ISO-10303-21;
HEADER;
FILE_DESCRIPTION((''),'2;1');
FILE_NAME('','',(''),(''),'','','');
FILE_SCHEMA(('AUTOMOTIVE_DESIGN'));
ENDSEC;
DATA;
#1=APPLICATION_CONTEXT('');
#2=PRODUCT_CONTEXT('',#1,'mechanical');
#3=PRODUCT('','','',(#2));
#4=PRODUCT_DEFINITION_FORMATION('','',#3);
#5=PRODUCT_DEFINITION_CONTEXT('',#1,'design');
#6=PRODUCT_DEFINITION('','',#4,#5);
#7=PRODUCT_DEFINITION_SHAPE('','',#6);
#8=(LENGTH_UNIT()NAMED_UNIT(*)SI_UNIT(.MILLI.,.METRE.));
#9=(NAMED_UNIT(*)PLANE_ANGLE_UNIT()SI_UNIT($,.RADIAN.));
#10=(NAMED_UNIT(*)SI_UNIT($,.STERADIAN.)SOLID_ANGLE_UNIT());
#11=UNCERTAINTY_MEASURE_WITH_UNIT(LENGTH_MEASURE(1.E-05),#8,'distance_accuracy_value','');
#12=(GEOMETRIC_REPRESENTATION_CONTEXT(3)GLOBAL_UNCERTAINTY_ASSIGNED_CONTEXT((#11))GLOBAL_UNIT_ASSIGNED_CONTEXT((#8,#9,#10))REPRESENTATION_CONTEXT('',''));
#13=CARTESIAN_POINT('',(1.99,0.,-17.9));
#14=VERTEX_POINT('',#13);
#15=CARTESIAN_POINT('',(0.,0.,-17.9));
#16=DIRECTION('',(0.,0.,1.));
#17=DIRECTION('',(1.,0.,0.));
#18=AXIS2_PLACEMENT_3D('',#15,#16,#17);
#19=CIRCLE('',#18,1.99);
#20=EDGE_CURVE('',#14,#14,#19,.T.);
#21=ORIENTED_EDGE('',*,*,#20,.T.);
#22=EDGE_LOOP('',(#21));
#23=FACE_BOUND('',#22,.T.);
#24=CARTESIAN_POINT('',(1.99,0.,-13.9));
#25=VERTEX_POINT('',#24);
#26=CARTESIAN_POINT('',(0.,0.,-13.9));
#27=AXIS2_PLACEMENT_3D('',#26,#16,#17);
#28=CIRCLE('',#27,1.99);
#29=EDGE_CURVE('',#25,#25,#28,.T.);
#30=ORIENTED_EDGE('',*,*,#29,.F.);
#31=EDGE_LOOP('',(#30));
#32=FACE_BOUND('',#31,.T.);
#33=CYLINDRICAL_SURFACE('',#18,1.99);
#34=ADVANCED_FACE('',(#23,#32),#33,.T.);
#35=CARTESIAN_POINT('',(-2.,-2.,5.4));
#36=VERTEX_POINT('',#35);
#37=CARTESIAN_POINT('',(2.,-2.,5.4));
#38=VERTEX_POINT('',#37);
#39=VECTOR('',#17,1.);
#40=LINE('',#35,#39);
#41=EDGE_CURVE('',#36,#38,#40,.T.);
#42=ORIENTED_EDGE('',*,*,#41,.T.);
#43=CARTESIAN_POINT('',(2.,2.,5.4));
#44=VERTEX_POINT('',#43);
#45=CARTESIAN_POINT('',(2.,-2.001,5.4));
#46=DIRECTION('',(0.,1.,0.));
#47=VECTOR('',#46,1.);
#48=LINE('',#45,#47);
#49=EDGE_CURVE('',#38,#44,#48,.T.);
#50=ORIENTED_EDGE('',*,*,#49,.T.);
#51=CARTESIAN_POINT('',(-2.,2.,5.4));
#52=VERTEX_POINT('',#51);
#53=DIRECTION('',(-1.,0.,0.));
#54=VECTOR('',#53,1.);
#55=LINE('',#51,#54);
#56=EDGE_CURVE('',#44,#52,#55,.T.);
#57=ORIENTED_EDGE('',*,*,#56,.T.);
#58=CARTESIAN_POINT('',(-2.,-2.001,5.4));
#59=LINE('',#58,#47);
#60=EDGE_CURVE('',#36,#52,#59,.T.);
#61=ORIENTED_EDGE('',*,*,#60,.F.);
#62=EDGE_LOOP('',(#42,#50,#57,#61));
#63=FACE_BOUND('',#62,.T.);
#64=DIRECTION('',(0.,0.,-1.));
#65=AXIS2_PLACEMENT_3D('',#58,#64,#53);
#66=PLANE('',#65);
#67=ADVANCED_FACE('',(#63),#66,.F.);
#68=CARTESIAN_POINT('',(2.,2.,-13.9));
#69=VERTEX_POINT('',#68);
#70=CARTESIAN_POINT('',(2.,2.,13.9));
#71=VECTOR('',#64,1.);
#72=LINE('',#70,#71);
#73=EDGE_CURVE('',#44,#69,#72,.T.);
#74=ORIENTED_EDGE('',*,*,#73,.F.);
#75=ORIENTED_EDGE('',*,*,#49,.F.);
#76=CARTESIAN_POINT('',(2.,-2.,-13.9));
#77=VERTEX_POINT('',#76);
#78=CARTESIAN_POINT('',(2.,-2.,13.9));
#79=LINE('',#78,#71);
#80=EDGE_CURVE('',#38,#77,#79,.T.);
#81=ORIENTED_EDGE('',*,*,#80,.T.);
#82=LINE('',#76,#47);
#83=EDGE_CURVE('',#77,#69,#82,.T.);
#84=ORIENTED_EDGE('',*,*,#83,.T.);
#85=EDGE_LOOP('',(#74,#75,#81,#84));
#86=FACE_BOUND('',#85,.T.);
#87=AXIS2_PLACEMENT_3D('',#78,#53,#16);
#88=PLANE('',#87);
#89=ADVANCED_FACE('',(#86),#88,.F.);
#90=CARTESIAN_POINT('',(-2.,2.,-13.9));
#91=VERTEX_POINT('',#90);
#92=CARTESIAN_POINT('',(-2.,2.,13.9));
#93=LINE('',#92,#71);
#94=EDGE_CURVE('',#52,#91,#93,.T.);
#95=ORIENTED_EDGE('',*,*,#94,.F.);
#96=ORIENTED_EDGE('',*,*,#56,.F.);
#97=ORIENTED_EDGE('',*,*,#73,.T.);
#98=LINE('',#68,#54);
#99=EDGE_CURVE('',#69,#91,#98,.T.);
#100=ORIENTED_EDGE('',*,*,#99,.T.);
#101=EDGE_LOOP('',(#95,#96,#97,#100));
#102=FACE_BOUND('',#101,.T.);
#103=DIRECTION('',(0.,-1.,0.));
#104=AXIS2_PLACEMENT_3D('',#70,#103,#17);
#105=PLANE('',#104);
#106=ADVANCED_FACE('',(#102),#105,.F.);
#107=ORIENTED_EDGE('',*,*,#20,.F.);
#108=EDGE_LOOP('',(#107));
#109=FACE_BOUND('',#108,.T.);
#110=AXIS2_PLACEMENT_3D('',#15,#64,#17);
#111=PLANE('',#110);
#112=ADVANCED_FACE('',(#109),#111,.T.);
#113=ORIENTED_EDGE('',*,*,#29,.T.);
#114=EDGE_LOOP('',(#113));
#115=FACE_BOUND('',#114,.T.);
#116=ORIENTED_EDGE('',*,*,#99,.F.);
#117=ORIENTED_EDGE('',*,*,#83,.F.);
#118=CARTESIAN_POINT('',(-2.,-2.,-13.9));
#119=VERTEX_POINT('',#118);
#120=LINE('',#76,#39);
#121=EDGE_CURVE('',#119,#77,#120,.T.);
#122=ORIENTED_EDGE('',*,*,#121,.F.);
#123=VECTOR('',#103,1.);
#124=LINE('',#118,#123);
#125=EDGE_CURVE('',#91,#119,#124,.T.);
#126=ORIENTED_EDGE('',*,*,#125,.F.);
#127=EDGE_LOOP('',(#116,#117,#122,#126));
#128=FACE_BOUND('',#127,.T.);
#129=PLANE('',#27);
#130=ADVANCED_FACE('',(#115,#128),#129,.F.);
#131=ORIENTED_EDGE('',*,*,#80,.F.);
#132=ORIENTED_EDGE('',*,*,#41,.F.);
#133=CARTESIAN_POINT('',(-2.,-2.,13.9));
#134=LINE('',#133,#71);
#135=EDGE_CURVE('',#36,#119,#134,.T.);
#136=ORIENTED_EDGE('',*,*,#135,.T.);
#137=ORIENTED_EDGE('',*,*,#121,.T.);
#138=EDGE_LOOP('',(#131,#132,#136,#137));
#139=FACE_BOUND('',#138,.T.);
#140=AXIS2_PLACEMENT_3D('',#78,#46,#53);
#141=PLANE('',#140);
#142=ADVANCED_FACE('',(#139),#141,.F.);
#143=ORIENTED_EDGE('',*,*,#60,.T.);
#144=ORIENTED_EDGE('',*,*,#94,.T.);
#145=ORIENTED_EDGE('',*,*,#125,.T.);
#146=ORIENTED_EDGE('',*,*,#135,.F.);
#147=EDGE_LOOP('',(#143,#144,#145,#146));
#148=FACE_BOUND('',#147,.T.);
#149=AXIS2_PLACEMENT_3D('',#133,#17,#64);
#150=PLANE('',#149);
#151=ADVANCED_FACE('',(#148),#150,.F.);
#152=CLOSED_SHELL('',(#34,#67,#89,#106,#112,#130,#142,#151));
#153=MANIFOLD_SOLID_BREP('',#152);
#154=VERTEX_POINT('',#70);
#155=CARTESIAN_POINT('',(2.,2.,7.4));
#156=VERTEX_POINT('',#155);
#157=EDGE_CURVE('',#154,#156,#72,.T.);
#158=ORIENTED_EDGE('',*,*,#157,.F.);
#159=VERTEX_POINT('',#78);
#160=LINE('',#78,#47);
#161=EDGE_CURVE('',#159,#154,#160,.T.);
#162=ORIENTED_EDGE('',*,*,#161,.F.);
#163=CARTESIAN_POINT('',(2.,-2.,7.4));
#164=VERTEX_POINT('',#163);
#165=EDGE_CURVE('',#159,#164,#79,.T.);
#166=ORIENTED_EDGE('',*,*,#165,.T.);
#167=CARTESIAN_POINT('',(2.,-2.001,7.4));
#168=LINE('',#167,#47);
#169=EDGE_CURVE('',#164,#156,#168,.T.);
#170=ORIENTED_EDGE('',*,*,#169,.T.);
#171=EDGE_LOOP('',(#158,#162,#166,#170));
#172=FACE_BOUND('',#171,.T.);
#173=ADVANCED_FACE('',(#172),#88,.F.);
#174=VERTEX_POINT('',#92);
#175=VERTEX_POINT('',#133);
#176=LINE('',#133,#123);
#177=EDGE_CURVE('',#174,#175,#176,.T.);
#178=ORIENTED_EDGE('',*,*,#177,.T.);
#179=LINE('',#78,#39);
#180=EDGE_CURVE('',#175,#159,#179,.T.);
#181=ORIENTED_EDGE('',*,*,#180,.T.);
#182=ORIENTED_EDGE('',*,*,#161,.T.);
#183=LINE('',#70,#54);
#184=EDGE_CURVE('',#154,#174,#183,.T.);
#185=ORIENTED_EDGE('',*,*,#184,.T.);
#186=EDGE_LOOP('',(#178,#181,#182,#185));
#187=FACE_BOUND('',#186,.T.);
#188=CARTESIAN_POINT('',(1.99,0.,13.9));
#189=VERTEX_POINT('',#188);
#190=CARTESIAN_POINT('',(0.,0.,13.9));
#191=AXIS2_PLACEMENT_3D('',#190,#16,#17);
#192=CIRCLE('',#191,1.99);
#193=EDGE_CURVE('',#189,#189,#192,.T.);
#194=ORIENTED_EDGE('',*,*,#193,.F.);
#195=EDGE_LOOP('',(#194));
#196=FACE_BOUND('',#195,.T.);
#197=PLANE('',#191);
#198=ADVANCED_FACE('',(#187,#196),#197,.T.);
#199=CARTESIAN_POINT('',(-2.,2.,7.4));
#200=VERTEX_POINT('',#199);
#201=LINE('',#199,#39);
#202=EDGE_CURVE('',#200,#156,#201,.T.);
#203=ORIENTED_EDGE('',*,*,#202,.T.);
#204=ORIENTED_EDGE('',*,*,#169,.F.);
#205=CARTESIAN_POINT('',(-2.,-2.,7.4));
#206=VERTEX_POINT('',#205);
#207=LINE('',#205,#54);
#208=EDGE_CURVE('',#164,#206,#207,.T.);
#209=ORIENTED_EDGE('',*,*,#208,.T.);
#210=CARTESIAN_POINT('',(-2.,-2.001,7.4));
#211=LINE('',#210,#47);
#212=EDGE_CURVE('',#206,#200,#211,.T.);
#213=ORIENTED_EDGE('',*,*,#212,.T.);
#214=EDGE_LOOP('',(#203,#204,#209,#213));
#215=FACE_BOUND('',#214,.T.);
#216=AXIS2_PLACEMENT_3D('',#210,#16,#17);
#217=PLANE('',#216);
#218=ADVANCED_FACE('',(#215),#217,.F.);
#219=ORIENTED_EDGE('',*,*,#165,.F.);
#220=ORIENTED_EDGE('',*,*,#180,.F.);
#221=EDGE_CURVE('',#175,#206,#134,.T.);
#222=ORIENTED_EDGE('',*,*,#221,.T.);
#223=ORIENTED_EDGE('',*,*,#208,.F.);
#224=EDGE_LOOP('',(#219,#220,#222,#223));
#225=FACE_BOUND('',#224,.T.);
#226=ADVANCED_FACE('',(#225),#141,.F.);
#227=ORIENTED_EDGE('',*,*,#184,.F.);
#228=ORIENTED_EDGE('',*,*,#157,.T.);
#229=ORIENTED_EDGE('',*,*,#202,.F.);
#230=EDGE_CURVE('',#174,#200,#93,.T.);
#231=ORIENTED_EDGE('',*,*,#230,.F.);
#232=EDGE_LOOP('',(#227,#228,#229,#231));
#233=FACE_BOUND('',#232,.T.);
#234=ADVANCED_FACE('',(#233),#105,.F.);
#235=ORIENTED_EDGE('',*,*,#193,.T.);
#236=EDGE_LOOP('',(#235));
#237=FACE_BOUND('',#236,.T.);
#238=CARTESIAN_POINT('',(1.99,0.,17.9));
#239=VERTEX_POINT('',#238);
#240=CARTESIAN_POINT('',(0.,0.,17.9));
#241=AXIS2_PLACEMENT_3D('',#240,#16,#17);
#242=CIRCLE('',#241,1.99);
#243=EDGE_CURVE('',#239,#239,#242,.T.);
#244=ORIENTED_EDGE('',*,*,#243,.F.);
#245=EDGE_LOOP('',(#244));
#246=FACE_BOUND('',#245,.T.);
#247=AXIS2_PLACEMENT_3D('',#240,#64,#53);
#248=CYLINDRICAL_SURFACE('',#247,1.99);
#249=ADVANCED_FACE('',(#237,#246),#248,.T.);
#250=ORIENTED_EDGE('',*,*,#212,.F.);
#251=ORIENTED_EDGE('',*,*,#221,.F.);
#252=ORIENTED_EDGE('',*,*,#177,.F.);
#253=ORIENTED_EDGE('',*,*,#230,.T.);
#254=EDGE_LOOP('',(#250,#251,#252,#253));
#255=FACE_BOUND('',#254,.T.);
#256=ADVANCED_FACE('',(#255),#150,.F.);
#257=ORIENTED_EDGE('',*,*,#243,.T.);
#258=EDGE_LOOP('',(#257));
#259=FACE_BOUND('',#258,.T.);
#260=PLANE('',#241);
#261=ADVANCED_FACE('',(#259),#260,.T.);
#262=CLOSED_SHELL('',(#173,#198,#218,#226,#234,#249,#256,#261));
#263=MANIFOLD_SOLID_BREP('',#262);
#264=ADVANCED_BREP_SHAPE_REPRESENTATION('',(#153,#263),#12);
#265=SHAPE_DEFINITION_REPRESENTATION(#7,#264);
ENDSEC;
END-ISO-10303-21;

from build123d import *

# Parameters (mm, degrees)
SKETCH1_W           = 4
SKETCH1_H           = 4
BOSS_EXTRUDE1_DEPTH = 13.9
SKETCH2_R           = 1.99
BOSS_EXTRUDE2_DEPTH = 4
CUT_EXTRUDE1_REACH  = 20.45
SKETCH3_W           = 4
SKETCH3_H           = 2


with BuildPart() as part:
    # Sketch1 → Boss-Extrude1 (new, symmetric)
    with BuildSketch(Plane.XY):
        Rectangle(SKETCH1_W, SKETCH1_H)
    extrude(amount=BOSS_EXTRUDE1_DEPTH, both=True)

    # Sketch2 → Boss-Extrude2 (add)
    with BuildSketch(Plane.XY.offset(13.9)):
        Circle(SKETCH2_R)
    boss_extrude2 = extrude(amount=BOSS_EXTRUDE2_DEPTH)

    # Mirror2: Boss-Extrude2 across plane
    add(boss_extrude2.mirror(Plane.XY))

    # Sketch3 → Cut-Extrude1 (cut, up to next)
    with BuildSketch(Plane(origin=(0, 2, 0), x_dir=(1, 0, 0), z_dir=(0, 1, 0)), mode=Mode.PRIVATE) as cut_extrude1_sk1:
        with Locations((0, -6.4)):
            Rectangle(SKETCH3_W, SKETCH3_H)
    cut_extrude1_tool1 = extrude(cut_extrude1_sk1.sketch, amount=-CUT_EXTRUDE1_REACH, mode=Mode.PRIVATE) & part.part
    add(cut_extrude1_tool1.solids().sort_by_distance((0, 2, 6.4))[0], mode=Mode.SUBTRACT)


with BuildPart() as cut_extrude1_piece_1:
    # of the separate pieces the step leaves, piece 1, a body of its own (cut_extrude1_pieces)
    add(part.part.solids().sort_by_distance((2, -2, -13.9))[0])


with BuildPart() as cut_extrude1_piece_2:
    # of the separate pieces the step leaves, piece 2, a body of its own (cut_extrude1_pieces)
    add(part.part.solids().sort_by_distance((2, -2, 7.4))[0])


solid = Compound([cut_extrude1_piece_1.part, cut_extrude1_piece_2.part])
